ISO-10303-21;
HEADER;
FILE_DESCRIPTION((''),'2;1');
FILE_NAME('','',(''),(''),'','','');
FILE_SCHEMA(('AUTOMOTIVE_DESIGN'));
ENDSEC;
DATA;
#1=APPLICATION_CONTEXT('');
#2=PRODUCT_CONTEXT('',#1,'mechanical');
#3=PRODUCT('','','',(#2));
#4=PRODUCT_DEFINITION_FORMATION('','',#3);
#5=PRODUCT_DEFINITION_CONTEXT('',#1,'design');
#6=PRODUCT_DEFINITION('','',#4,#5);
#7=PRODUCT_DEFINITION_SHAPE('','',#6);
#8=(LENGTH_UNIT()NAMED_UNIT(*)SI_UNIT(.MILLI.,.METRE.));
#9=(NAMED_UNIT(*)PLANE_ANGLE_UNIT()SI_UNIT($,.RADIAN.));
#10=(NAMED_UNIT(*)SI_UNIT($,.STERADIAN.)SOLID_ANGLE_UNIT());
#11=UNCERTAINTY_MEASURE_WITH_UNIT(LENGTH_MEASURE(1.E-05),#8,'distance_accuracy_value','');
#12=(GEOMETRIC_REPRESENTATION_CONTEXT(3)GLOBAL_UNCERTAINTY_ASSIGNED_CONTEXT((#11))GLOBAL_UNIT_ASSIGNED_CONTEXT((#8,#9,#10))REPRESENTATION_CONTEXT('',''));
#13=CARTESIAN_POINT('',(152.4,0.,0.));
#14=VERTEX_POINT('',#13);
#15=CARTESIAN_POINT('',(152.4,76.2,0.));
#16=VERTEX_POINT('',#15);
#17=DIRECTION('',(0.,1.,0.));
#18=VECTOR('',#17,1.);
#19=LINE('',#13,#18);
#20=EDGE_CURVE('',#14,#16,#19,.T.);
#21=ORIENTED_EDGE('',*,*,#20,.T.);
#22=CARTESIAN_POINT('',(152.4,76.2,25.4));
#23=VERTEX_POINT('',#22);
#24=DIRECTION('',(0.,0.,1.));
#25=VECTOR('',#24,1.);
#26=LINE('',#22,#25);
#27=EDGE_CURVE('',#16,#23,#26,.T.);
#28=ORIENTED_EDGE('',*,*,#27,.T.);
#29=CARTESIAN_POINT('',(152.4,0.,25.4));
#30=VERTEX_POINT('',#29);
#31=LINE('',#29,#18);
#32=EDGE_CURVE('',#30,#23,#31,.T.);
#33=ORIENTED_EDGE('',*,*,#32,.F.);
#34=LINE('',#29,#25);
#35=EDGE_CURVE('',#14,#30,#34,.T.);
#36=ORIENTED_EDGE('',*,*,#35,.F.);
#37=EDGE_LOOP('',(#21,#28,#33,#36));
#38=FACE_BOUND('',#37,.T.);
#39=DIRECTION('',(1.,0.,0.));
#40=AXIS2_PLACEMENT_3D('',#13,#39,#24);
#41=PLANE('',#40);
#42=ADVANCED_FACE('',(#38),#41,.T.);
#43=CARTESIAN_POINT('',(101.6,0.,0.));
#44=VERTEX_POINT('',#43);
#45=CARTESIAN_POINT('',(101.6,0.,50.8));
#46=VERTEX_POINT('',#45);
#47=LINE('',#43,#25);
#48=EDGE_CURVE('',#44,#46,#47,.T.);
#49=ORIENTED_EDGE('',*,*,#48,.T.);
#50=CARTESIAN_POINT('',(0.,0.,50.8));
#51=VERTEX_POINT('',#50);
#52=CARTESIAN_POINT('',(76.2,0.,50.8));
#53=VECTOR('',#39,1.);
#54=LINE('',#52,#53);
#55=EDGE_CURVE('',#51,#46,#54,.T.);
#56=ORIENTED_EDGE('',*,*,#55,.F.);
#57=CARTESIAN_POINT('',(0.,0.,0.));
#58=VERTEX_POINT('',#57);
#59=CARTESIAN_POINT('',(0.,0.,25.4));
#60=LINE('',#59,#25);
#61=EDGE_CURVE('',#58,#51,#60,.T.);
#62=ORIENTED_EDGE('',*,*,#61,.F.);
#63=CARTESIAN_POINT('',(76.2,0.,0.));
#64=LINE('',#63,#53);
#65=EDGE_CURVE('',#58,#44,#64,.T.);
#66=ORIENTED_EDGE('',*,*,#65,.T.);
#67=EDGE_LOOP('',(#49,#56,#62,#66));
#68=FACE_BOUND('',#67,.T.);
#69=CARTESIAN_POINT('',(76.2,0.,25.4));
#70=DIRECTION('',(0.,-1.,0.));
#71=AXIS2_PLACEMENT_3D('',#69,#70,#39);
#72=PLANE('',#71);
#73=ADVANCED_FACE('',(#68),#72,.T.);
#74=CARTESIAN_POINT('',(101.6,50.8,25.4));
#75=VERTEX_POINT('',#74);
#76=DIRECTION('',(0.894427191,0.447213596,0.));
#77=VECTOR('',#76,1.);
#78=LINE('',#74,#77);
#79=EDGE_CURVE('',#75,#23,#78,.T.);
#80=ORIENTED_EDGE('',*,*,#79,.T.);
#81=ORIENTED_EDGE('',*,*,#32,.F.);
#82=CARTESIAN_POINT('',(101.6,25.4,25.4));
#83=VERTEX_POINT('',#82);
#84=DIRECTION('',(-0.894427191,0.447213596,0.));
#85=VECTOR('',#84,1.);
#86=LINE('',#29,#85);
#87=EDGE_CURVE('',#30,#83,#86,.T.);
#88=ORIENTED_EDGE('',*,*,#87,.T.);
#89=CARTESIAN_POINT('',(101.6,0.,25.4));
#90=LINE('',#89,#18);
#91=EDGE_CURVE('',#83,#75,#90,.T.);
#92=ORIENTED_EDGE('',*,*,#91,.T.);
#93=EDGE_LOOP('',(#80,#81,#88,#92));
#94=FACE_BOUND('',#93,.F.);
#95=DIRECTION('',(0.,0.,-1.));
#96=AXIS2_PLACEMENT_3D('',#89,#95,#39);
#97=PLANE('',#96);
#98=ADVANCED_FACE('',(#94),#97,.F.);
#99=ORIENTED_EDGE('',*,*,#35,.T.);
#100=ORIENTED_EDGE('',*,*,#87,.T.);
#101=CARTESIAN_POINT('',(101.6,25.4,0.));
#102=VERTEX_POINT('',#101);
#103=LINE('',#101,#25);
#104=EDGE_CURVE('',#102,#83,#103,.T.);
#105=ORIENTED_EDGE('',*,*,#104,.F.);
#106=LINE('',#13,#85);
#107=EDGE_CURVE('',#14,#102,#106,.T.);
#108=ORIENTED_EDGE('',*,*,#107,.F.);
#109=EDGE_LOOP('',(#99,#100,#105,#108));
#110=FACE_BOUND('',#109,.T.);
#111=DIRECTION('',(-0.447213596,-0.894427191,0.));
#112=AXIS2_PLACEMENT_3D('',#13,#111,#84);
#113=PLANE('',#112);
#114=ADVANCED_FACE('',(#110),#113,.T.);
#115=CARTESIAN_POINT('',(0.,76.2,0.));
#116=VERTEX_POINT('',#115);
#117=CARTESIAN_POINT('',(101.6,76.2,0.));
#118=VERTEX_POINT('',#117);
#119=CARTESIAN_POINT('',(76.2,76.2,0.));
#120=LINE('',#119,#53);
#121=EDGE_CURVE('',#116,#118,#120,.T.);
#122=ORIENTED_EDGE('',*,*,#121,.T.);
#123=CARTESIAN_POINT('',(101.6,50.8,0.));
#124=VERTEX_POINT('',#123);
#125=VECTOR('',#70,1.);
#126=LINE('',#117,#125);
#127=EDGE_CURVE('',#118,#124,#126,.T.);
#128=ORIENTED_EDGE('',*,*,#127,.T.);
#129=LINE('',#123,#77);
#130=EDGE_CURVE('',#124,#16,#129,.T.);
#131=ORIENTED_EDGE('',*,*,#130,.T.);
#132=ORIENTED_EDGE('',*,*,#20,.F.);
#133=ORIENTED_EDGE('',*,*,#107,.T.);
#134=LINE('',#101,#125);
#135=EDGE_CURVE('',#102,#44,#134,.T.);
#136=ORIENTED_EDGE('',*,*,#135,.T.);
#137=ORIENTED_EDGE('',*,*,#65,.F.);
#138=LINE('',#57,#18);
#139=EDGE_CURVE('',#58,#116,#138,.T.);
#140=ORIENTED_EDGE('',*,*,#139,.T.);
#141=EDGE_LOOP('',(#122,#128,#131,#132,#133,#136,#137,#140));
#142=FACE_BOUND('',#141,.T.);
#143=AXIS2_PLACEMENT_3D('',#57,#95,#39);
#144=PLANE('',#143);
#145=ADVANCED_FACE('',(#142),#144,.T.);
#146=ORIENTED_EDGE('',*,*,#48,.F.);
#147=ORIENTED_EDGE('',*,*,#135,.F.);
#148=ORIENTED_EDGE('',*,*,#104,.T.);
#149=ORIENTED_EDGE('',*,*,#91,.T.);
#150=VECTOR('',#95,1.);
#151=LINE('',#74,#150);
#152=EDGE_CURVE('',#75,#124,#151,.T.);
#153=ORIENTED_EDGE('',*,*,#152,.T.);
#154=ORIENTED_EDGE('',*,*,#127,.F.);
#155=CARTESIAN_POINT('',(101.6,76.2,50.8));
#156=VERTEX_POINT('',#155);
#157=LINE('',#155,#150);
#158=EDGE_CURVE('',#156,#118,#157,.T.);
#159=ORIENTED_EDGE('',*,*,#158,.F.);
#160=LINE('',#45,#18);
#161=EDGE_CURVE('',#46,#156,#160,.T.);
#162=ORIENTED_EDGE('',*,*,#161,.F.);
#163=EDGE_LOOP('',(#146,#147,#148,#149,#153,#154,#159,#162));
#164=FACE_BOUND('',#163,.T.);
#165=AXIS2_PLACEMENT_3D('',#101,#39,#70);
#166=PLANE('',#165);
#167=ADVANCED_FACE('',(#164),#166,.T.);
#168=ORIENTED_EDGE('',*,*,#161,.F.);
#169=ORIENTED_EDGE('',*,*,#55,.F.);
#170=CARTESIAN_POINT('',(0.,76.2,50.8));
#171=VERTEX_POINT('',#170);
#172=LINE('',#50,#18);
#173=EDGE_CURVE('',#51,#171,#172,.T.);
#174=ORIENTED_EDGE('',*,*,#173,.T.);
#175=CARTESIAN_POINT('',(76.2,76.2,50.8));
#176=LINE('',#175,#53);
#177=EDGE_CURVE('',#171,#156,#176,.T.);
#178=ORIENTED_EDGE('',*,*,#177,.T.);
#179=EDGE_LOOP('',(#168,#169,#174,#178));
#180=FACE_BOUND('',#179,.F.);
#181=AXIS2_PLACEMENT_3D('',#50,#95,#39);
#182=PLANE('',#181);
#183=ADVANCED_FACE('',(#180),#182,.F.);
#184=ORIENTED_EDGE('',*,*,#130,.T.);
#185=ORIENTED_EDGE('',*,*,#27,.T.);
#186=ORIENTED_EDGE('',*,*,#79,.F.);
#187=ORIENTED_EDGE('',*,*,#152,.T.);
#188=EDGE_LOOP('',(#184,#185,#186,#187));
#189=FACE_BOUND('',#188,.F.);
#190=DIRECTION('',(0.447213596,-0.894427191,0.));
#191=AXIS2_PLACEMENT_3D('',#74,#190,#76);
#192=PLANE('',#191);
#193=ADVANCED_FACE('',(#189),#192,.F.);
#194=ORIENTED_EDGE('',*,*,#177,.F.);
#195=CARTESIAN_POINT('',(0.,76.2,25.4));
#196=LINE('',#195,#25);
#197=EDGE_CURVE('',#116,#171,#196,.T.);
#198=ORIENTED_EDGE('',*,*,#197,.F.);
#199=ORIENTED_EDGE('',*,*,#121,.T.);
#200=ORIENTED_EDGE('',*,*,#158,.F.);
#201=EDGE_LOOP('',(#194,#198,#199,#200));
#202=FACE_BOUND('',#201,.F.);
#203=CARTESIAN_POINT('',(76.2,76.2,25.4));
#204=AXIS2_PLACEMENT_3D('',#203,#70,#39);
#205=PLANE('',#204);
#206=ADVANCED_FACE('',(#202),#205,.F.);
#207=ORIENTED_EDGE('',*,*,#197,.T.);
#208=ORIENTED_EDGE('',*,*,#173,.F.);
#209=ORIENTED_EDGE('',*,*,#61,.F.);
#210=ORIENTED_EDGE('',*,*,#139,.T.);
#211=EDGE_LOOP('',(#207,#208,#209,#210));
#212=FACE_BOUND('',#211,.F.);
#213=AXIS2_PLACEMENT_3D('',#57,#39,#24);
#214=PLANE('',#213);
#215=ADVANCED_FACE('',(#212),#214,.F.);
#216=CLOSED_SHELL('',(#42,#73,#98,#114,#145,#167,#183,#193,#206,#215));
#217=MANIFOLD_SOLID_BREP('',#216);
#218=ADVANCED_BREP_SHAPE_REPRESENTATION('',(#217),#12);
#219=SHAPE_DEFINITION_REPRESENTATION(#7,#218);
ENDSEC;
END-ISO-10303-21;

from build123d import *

# Parameters (mm, degrees)
F0_W     = 152.4
F0_H     = 50.8
F2_DEPTH = 76.2
F1_W     = 50.8
F1_H     = 25.4
F3_DEPTH = 76.2
F5_DEPTH = 25.4
F7_DEPTH = 25.4


with BuildPart() as f2:
    # F0 (on Front) → F2 (new body)
    with BuildSketch(Plane.XZ):
        with Locations((76.2, 25.4)):
            Rectangle(F0_W, F0_H)
    extrude(amount=-F2_DEPTH)

    # F1 (on face) → F3 (cut)
    with BuildSketch(Plane.XZ):
        with Locations((127, 38.1)):
            Rectangle(F1_W, F1_H)
    extrude(amount=-F3_DEPTH, mode=Mode.SUBTRACT)

    # F4 (on Top) → F5 (cut)
    with BuildSketch(Plane.XY):
        Polygon((101.6, 25.4), (101.6, 0), (152.4, 0), align=None)
    extrude(amount=F5_DEPTH, mode=Mode.SUBTRACT)

    # F6 (on face) → F7 (cut)
    with BuildSketch(Plane.XY.offset(25.4)):
        Polygon((152.4, 76.2), (101.6, 76.2), (101.6, 50.8), align=None)
    extrude(amount=-F7_DEPTH, mode=Mode.SUBTRACT)


solid = f2.part
